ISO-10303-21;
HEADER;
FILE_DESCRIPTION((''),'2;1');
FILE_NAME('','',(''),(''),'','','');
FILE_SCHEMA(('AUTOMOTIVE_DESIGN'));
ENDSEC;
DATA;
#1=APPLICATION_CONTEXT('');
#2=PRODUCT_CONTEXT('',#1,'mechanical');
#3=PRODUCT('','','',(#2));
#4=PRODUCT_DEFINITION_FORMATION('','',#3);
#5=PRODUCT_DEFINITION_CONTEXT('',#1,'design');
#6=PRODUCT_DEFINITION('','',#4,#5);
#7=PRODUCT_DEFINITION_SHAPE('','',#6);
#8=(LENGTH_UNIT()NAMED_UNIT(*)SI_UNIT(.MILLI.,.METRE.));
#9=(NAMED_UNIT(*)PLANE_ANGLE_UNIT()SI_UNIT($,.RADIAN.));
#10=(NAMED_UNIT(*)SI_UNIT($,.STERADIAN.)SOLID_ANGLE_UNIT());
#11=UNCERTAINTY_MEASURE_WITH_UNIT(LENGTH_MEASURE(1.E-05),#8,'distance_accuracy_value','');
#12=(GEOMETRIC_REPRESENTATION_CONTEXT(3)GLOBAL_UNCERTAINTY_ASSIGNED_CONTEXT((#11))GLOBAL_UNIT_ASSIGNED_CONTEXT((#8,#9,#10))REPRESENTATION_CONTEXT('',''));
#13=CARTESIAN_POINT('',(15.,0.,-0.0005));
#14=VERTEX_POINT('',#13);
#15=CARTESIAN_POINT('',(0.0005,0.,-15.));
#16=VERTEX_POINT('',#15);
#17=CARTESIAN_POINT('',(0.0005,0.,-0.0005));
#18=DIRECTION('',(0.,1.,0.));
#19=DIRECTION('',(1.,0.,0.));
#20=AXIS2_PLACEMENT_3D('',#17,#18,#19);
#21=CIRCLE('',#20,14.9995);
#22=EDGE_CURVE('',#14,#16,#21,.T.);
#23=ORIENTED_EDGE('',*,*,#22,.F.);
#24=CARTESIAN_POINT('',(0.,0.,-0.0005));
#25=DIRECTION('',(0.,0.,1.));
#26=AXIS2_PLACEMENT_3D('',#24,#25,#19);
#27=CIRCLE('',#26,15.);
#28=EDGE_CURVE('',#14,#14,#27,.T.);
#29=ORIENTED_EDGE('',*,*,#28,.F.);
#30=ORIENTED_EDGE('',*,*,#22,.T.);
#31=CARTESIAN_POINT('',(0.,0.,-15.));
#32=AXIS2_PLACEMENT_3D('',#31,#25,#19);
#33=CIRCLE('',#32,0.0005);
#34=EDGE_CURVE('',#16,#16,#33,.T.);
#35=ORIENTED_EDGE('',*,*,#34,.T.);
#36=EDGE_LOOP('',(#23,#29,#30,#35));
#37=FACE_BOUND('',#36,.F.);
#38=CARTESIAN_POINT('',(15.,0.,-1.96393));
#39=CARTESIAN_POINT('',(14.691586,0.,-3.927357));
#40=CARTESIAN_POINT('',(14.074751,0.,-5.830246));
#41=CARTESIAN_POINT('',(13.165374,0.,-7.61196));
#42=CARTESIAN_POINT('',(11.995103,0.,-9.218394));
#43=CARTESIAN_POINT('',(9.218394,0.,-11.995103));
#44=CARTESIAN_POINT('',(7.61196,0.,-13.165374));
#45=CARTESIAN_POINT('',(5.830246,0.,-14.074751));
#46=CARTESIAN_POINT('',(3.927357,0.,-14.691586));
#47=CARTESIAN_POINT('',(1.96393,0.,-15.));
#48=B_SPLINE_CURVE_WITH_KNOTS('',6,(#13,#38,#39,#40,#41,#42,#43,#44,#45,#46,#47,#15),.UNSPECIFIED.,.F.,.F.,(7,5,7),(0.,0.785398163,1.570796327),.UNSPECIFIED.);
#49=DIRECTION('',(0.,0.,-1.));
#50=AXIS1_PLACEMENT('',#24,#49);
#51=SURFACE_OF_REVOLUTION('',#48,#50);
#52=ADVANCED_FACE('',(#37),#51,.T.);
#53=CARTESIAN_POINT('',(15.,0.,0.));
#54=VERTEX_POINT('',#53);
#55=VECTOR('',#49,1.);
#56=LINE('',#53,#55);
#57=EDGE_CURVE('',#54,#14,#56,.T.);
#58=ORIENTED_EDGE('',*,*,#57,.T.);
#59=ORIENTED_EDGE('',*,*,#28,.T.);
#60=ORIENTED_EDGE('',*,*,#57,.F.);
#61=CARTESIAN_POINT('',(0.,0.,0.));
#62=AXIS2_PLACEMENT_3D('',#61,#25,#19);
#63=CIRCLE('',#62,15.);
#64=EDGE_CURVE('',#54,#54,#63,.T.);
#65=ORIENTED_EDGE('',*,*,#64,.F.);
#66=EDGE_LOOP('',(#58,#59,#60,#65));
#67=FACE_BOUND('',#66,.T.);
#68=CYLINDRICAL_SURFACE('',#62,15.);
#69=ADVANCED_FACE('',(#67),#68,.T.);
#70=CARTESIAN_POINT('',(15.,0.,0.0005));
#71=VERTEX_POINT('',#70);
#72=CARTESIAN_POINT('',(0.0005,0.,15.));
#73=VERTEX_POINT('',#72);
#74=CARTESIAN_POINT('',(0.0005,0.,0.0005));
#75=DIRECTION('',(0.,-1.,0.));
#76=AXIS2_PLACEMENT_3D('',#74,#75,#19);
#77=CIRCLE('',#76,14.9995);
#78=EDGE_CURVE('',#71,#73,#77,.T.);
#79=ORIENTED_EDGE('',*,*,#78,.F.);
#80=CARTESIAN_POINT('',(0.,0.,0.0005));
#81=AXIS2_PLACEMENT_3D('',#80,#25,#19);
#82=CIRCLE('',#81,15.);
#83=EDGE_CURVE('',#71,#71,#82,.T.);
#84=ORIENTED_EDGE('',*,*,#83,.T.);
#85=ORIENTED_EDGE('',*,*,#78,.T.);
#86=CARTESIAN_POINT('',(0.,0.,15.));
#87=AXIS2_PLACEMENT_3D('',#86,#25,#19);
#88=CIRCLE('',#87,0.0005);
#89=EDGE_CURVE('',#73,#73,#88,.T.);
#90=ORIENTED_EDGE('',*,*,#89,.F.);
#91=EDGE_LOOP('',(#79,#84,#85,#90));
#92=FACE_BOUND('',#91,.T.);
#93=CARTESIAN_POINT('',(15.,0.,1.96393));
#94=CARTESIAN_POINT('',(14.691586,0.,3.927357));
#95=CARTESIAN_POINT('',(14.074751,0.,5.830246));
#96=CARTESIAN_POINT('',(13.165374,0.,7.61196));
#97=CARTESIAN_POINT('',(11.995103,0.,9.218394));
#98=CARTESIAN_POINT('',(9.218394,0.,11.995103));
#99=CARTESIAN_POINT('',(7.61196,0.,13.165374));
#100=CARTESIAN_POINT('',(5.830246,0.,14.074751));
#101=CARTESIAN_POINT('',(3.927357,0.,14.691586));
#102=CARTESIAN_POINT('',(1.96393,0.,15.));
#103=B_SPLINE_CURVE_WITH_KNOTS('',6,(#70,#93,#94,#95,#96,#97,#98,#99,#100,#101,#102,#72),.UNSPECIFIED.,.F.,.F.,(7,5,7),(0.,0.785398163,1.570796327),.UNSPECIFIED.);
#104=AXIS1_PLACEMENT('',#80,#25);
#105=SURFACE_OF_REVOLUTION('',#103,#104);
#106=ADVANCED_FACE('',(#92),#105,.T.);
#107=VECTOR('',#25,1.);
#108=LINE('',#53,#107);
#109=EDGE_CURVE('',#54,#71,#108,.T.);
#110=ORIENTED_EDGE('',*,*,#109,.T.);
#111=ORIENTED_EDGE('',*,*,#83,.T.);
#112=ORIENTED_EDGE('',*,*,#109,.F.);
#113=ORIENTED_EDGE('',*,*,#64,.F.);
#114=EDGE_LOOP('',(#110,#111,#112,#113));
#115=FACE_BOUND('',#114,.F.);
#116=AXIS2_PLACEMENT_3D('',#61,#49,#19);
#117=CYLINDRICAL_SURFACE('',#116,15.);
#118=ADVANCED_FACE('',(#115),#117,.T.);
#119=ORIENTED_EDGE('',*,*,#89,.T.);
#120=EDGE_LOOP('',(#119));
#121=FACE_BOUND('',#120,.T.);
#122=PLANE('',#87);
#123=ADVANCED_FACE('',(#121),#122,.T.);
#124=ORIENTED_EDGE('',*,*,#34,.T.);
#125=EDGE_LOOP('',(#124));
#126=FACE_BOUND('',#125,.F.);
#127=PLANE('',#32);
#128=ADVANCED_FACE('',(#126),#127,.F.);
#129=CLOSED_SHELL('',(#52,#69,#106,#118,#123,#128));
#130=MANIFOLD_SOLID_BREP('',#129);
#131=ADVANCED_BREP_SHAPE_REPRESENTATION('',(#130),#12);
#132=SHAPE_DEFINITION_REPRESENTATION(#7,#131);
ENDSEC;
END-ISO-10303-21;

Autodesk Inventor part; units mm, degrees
ref_plane "YZ Plane" through (0, 0, 0) normal (1, 0, 0) x (0, 1, 0)
ref_plane "XZ Plane" through (0, 0, 0) normal (0, 1, 0) x (-1, 0, 0)
ref_plane "XY Plane" through (0, 0, 0) normal (0, 0, 1) x (1, 0, 0)
sketch "Sketch1" plane through (0, 0, 0) normal (0, 0, 1) x (1, 0, 0)
  circle A0 centre (0, 0) radius 15
  dimension "d0" = 30
extrude "Extrusion1" add sketch "Sketch1" along normal mid plane 30
fillet "Fillet1" radius 15 2 edges at (-15, 0, 15) (-15, 0, -15)
properties part number "Ball 30mm" material "Copper, Alloy"
